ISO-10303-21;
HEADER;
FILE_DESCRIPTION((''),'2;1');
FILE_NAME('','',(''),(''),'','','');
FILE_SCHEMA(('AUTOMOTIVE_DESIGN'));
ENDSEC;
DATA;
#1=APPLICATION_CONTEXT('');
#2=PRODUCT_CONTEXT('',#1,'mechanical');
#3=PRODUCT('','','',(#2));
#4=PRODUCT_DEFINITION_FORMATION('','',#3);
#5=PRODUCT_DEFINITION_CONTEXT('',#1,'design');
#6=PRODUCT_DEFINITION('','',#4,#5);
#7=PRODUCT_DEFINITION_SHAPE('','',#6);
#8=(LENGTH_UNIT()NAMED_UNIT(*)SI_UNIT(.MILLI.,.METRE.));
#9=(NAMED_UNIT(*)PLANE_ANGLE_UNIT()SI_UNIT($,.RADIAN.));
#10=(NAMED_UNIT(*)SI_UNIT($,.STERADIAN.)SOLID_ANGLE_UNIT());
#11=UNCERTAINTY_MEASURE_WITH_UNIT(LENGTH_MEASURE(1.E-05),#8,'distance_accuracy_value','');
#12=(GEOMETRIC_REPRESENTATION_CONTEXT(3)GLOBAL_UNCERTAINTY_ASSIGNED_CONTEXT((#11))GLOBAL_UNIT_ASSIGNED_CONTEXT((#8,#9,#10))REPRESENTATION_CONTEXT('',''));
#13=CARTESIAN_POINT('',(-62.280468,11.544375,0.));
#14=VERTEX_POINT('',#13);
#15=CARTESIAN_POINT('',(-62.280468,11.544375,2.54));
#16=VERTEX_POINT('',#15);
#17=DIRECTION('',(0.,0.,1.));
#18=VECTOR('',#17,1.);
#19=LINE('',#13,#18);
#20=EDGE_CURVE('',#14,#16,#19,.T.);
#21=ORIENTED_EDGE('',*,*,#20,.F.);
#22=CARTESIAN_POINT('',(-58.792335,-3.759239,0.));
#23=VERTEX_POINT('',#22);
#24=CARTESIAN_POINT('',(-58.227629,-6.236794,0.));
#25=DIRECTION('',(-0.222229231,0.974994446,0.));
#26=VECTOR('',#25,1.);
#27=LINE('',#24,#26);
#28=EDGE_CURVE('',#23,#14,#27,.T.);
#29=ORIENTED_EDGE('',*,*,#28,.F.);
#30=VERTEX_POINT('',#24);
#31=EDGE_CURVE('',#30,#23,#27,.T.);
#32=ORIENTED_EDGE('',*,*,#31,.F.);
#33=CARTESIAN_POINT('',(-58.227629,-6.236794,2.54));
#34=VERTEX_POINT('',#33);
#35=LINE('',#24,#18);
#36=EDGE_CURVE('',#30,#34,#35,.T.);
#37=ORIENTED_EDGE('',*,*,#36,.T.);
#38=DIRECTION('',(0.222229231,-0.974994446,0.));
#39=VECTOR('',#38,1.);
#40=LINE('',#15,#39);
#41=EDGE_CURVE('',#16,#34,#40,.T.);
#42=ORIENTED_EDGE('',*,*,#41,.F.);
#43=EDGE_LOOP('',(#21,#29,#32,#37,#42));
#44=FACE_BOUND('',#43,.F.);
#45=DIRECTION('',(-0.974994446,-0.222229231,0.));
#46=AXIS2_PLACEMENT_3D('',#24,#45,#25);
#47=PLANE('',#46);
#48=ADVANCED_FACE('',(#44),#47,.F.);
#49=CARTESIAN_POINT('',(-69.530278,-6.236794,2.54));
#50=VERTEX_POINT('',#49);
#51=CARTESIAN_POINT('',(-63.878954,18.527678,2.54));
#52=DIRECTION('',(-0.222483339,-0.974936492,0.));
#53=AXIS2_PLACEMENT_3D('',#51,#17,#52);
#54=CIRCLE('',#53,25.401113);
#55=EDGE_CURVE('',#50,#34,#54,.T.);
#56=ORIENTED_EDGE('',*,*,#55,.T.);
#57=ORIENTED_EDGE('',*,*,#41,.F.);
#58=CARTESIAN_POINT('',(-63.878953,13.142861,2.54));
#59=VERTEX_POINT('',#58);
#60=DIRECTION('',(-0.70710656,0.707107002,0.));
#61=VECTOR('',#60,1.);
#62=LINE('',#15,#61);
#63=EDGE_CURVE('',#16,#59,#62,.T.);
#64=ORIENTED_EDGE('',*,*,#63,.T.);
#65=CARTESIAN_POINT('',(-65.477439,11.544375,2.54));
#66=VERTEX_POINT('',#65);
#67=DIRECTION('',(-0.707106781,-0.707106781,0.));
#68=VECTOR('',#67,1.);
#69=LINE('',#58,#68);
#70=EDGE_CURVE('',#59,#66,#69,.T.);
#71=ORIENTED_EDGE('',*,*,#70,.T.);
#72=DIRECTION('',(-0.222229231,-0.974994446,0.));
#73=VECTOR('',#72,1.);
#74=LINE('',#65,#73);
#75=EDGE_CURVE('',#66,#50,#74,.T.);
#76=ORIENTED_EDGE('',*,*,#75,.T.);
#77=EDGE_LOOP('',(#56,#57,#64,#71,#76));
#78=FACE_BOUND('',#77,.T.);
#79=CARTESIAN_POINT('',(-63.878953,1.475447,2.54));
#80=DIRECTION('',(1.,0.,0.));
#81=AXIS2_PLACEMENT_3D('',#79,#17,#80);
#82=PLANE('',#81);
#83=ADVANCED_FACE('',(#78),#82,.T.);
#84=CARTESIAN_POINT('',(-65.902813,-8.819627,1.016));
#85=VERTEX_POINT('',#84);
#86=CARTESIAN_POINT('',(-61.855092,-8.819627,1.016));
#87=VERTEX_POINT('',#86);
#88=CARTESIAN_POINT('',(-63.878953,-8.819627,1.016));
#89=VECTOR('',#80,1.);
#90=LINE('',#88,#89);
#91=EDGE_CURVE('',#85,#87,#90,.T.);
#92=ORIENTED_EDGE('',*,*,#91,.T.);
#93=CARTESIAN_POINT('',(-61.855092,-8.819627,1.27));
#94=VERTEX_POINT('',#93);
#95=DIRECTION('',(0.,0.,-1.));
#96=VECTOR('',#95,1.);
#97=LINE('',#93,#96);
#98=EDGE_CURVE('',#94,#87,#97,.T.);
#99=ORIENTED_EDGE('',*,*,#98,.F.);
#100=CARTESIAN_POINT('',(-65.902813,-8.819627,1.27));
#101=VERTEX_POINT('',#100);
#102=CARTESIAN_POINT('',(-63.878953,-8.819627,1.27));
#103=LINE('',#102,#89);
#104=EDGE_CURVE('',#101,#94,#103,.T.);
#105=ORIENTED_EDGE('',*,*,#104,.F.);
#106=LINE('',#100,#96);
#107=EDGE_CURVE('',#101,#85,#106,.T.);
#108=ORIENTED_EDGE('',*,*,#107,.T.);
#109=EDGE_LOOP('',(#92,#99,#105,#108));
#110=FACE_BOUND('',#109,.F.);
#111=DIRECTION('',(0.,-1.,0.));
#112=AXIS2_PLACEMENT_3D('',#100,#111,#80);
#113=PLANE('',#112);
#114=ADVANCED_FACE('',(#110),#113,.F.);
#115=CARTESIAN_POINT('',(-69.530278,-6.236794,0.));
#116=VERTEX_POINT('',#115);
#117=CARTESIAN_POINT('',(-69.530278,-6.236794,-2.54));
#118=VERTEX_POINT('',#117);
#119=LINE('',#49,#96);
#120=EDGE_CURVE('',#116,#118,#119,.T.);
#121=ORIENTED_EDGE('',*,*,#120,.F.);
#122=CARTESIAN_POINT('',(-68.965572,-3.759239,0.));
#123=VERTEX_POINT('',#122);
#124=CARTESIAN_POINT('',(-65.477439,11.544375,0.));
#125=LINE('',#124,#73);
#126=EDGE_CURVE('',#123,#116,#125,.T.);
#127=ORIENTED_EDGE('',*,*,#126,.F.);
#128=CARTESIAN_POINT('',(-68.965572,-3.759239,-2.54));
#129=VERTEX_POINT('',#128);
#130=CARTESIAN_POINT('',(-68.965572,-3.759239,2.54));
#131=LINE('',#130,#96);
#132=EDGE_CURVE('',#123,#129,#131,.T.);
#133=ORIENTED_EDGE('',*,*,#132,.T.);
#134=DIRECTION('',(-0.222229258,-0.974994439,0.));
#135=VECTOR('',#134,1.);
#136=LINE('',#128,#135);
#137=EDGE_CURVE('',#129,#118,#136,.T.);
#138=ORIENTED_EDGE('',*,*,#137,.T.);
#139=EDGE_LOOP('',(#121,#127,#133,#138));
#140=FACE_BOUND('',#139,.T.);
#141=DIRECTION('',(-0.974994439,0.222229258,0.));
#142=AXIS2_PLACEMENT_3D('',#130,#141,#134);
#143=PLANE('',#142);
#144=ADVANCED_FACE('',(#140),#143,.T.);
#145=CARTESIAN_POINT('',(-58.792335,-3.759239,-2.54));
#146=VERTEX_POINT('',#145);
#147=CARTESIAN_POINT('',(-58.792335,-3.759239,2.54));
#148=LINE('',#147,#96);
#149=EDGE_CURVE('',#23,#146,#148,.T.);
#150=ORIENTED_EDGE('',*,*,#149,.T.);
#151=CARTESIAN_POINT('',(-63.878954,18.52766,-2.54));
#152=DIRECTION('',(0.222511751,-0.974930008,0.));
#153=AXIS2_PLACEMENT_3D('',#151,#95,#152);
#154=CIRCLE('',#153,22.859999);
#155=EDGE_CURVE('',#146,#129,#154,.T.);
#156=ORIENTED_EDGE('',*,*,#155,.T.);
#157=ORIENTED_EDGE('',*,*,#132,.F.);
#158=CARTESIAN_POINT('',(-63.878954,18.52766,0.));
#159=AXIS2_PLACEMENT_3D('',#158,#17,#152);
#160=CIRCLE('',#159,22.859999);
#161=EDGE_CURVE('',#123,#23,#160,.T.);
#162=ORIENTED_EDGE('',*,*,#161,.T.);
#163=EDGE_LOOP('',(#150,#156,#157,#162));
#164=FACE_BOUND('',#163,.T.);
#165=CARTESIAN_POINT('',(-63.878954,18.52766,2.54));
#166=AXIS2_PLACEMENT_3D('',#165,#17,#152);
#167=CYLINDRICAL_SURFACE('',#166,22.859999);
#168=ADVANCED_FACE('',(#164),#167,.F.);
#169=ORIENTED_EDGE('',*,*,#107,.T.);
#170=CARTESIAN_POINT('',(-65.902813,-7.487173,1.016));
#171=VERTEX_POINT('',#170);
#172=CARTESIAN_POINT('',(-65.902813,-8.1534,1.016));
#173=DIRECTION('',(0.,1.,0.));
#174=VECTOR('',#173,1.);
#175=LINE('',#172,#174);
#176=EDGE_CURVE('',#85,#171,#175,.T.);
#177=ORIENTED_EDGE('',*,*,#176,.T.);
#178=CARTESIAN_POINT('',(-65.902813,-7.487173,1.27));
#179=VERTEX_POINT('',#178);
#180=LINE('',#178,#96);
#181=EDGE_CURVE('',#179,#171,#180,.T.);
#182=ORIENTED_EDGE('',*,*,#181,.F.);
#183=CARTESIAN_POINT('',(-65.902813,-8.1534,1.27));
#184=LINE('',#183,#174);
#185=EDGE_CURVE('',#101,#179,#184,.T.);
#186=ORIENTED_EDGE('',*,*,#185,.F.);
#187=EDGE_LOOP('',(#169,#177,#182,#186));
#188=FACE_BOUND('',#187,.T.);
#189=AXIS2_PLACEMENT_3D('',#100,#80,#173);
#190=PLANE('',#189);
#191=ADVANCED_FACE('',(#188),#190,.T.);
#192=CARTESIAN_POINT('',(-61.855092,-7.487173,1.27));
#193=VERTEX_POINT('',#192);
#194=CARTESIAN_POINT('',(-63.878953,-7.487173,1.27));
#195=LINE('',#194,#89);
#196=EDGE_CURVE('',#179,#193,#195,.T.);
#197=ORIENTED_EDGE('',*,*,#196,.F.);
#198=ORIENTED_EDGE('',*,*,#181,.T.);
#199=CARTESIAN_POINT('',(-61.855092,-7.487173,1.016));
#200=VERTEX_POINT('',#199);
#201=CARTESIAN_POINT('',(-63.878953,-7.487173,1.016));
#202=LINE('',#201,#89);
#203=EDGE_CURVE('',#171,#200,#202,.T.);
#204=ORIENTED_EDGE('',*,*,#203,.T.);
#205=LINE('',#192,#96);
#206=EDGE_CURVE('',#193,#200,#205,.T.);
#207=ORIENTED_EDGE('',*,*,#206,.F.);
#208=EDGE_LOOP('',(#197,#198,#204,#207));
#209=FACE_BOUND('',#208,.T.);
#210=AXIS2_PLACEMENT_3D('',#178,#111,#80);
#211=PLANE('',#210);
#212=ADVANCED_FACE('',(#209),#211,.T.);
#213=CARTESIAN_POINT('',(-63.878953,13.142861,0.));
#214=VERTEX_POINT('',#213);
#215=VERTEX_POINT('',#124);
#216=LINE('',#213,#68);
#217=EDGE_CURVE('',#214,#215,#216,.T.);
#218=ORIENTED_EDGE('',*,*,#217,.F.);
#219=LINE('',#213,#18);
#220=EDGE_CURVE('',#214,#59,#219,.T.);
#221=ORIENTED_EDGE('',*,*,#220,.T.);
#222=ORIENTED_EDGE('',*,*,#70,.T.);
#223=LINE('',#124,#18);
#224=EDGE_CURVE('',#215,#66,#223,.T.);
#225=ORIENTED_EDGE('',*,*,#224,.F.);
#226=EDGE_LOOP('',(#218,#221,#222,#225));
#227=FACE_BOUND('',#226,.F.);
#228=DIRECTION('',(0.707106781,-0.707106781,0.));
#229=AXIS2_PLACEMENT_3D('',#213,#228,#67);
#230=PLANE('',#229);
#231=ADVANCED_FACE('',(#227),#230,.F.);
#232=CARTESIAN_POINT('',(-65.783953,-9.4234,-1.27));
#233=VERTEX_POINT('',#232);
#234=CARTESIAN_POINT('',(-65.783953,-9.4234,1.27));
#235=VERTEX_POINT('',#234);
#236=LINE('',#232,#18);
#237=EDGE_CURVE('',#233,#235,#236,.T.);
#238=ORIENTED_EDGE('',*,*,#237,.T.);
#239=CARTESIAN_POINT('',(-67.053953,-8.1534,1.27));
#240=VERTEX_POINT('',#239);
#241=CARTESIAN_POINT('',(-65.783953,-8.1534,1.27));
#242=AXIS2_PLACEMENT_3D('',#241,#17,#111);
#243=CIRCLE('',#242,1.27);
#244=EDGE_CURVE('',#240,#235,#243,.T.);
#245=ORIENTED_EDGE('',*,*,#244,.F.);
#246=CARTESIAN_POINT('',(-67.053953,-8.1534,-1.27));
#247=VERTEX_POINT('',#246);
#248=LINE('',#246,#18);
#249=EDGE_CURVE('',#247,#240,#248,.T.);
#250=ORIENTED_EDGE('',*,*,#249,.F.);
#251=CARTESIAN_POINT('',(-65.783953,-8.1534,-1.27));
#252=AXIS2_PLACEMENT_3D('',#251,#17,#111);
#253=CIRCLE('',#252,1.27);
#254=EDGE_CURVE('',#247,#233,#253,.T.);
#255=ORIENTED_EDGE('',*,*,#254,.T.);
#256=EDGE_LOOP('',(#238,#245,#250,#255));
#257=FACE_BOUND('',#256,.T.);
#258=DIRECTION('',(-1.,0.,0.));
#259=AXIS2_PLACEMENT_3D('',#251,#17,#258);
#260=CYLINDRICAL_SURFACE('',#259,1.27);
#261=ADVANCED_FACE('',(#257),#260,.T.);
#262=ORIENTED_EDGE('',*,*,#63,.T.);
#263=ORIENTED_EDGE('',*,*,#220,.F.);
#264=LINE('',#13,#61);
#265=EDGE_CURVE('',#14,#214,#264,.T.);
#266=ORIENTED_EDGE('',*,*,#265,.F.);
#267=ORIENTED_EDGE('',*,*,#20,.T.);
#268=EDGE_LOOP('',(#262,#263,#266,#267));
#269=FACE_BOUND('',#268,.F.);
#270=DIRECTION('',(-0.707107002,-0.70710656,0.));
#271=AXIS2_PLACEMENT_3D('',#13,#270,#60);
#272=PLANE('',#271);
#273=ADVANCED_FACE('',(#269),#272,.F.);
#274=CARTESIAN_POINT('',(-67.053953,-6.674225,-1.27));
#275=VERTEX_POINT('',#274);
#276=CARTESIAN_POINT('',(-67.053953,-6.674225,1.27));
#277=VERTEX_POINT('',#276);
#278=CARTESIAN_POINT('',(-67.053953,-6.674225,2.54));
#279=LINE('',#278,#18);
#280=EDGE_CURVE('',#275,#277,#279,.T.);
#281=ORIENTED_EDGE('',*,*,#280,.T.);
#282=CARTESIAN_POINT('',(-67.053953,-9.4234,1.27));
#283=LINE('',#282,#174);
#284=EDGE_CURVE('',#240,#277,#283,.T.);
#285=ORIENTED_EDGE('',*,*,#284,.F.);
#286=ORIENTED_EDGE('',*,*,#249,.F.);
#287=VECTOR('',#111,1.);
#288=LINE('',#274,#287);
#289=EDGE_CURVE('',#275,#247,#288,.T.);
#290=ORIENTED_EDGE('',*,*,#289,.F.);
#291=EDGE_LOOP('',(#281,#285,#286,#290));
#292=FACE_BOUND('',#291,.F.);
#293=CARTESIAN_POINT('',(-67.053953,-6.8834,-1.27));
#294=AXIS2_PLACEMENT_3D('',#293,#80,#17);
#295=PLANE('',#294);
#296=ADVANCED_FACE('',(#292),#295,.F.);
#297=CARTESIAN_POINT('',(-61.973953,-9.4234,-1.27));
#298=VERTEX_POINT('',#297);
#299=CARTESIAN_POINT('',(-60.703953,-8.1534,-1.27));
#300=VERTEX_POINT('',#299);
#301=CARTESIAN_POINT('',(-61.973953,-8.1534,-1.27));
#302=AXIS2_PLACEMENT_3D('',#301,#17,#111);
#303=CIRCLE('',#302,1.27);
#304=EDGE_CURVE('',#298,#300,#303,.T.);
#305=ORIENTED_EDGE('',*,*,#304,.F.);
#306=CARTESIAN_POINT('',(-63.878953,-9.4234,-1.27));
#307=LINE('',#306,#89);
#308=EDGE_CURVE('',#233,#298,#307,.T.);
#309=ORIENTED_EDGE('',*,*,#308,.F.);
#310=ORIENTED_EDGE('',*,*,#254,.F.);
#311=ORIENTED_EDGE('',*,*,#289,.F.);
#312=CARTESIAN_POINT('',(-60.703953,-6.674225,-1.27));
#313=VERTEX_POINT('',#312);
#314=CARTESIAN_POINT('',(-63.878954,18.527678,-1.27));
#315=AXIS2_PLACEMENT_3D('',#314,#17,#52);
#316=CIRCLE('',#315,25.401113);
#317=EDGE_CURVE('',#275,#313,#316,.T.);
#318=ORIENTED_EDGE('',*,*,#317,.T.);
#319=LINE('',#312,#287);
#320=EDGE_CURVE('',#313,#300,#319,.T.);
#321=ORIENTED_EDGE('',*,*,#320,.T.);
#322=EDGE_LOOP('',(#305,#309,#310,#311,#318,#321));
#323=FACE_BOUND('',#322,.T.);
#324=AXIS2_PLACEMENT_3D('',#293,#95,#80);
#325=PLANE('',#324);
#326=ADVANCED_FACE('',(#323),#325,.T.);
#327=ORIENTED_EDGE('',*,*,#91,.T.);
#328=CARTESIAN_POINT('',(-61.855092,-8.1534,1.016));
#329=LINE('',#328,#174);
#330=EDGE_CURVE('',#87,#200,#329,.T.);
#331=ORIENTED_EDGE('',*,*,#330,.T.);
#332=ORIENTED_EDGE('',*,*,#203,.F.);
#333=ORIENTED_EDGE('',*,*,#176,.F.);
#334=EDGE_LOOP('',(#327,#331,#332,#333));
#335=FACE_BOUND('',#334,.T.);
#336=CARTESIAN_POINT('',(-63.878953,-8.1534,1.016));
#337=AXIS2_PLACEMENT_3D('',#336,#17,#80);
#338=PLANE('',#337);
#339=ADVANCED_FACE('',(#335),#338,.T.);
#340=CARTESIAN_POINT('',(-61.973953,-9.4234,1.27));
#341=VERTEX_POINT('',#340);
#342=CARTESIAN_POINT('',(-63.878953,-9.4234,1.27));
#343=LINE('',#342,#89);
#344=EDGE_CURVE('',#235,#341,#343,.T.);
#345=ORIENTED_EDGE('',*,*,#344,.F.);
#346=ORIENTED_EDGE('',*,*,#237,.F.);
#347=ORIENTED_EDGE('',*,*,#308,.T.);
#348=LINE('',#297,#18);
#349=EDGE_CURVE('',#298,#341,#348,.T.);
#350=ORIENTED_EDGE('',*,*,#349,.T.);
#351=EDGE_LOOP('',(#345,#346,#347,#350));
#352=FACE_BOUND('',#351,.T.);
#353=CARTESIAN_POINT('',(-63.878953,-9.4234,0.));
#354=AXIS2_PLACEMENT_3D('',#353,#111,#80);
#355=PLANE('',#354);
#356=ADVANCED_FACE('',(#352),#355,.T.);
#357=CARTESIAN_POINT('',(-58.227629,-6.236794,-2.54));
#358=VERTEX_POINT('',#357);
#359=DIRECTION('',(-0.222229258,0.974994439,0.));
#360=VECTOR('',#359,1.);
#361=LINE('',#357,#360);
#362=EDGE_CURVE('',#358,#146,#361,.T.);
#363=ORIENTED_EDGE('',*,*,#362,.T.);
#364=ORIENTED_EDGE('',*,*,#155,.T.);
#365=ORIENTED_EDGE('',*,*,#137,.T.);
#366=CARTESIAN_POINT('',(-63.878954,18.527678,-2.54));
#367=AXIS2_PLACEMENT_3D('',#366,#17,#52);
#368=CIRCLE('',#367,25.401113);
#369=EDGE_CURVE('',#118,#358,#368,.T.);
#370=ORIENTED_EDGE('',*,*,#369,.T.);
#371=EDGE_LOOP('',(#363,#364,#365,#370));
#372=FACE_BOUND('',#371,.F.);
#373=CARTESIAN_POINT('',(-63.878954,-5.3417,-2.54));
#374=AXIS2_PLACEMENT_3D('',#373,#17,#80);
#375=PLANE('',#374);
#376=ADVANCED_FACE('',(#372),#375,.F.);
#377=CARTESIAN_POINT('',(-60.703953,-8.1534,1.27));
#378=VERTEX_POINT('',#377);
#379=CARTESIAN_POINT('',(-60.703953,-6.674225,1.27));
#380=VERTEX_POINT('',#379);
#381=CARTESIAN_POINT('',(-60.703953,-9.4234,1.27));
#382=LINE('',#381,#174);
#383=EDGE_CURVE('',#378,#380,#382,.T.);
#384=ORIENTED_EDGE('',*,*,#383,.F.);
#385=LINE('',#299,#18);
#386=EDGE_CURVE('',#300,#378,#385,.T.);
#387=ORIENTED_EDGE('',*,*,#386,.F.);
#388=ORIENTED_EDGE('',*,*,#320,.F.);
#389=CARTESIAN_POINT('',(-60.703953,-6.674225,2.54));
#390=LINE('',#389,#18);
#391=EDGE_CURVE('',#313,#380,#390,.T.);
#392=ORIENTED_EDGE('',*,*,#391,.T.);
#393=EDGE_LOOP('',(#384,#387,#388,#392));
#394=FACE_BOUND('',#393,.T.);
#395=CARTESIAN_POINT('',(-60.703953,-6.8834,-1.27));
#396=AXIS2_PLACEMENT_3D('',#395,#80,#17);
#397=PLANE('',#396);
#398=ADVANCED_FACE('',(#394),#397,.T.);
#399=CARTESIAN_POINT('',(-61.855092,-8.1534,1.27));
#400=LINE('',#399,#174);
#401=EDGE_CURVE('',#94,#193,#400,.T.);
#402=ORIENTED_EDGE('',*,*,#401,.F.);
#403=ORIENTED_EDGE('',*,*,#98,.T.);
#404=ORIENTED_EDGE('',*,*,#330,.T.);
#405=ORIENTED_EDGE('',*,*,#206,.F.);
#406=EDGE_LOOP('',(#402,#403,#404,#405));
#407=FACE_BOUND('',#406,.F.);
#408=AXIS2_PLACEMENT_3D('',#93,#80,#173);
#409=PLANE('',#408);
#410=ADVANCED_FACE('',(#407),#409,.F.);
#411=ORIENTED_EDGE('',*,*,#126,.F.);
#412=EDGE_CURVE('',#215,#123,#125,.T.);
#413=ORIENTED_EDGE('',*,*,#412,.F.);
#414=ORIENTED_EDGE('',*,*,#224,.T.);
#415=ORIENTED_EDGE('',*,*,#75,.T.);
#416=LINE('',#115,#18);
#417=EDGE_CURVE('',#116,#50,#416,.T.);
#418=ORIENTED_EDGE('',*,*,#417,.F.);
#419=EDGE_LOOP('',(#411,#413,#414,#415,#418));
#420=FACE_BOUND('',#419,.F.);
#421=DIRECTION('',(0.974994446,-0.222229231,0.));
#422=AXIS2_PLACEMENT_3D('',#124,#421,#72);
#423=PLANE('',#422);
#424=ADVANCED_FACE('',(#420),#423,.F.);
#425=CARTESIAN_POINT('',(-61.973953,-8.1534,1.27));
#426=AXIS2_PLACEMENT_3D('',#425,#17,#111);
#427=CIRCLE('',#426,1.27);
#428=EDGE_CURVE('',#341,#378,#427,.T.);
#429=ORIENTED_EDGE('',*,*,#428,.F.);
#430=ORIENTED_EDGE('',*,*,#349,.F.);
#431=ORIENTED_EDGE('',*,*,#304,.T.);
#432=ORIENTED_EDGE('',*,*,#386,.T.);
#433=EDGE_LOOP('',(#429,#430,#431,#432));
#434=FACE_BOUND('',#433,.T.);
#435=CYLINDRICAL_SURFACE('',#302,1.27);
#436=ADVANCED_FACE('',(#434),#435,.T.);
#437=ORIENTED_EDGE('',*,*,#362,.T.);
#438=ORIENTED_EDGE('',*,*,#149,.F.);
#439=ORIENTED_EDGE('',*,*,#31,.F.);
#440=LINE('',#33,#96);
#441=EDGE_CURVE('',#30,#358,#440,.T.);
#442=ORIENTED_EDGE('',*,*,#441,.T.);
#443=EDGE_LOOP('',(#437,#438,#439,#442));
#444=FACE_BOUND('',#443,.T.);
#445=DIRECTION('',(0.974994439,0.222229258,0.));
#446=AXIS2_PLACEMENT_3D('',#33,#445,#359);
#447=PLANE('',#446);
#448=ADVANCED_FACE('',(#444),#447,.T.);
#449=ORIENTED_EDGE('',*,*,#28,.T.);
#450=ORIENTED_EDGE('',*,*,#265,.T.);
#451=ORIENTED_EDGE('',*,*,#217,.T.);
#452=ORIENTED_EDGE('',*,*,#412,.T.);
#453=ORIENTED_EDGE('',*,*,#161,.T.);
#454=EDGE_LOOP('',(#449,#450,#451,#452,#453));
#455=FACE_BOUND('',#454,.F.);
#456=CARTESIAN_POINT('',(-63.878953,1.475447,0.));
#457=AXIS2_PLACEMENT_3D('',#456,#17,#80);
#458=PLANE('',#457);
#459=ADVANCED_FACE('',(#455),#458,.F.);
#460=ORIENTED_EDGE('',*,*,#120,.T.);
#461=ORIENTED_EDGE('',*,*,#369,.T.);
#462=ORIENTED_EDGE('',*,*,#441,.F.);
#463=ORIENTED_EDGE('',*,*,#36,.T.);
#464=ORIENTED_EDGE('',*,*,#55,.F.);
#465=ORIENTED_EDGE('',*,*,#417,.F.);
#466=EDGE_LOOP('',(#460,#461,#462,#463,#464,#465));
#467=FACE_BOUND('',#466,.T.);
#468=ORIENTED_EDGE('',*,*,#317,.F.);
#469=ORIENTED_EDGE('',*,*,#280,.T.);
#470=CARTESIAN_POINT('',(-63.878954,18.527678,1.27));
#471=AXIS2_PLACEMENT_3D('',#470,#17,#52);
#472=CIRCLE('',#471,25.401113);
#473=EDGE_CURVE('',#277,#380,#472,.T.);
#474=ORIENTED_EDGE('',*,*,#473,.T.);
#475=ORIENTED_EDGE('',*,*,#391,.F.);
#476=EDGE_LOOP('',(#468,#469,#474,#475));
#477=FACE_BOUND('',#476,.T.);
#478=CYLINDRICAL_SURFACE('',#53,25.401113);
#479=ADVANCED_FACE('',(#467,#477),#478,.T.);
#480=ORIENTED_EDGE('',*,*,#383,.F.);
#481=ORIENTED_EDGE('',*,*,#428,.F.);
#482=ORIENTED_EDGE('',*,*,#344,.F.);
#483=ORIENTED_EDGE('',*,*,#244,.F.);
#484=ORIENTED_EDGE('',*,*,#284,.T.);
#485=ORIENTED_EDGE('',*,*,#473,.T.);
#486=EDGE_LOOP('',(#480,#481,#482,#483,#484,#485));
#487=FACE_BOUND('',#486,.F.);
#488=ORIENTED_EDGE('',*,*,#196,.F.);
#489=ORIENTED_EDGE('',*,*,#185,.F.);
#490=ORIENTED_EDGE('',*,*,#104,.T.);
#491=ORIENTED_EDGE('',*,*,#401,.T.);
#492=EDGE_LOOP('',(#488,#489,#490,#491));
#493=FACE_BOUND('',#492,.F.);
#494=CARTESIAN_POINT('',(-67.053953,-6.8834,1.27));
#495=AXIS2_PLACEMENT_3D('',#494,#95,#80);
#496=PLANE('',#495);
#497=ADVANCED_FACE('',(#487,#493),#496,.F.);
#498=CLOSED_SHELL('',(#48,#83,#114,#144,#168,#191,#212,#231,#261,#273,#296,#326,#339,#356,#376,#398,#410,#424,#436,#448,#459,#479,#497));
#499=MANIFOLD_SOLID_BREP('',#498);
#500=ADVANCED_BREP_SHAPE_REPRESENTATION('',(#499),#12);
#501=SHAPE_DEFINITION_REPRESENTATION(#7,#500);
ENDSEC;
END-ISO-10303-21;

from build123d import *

# Parameters (mm, degrees)
F1_DEPTH      = 2.54
F3_DEPTH      = 5.08
F5_W          = 6.35
F5_H          = 2.54
F6_DEPTH      = 2.54
F6_DEPTH_BACK = 2.286
F7_W          = 4.047721
F7_H          = 1.332454
F8_DEPTH      = 0.254
F9_R          = 1.27


with BuildPart() as f1:
    # F0 (on Top) → F1 (new body)
    with BuildSketch(Plane.XY):
        with BuildLine():
            Line((-62.280468, 11.544375), (-63.878953, 13.142861))
            Line((-63.878953, 13.142861), (-65.477439, 11.544375))
            Line((-65.477439, 11.544375), (-69.530278, -6.236794))
            ThreePointArc((-69.530278, -6.236794), (-63.878953, -6.873435), (-58.227629, -6.236794))
            Line((-58.227629, -6.236794), (-62.280468, 11.544375))
        make_face()
    extrude(amount=F1_DEPTH)

    # F2 (on face) → F3 (join)
    with BuildSketch(Plane.XY.offset(2.54)):
        with BuildLine():
            Line((-58.227629, -6.236794), (-58.792335, -3.759239))
            ThreePointArc((-58.792335, -3.759239), (-63.878953, -4.332339), (-68.965572, -3.759239))
            Line((-68.965572, -3.759239), (-69.530278, -6.236794))
            ThreePointArc((-69.530278, -6.236794), (-63.878953, -6.873435), (-58.227629, -6.236794))
        make_face()
    extrude(amount=-F3_DEPTH)

    # F5 (on offset) → F6 (join, two sides)
    with BuildSketch(Plane.XZ.offset(6.8834)) as f6_sk:
        with Locations((-63.878953, 0)):
            Rectangle(F5_W, F5_H)
    extrude(amount=F6_DEPTH)
    extrude(f6_sk.sketch, amount=-F6_DEPTH_BACK)

    # F7 (on face) → F8 (cut)
    with BuildSketch(Plane.XY.offset(1.27)):
        with Locations((-63.878953, -8.1534)):
            Rectangle(F7_W, F7_H)
    extrude(amount=-F8_DEPTH, mode=Mode.SUBTRACT)

    # F9
    f9_edges = [f1.edges().sort_by_distance(p)[0] for p in [
        (-67.053953, -9.4234, 0),
        (-60.703953, -9.4234, 0),
    ]]
    fillet(f9_edges, radius=F9_R)


solid = f1.part
